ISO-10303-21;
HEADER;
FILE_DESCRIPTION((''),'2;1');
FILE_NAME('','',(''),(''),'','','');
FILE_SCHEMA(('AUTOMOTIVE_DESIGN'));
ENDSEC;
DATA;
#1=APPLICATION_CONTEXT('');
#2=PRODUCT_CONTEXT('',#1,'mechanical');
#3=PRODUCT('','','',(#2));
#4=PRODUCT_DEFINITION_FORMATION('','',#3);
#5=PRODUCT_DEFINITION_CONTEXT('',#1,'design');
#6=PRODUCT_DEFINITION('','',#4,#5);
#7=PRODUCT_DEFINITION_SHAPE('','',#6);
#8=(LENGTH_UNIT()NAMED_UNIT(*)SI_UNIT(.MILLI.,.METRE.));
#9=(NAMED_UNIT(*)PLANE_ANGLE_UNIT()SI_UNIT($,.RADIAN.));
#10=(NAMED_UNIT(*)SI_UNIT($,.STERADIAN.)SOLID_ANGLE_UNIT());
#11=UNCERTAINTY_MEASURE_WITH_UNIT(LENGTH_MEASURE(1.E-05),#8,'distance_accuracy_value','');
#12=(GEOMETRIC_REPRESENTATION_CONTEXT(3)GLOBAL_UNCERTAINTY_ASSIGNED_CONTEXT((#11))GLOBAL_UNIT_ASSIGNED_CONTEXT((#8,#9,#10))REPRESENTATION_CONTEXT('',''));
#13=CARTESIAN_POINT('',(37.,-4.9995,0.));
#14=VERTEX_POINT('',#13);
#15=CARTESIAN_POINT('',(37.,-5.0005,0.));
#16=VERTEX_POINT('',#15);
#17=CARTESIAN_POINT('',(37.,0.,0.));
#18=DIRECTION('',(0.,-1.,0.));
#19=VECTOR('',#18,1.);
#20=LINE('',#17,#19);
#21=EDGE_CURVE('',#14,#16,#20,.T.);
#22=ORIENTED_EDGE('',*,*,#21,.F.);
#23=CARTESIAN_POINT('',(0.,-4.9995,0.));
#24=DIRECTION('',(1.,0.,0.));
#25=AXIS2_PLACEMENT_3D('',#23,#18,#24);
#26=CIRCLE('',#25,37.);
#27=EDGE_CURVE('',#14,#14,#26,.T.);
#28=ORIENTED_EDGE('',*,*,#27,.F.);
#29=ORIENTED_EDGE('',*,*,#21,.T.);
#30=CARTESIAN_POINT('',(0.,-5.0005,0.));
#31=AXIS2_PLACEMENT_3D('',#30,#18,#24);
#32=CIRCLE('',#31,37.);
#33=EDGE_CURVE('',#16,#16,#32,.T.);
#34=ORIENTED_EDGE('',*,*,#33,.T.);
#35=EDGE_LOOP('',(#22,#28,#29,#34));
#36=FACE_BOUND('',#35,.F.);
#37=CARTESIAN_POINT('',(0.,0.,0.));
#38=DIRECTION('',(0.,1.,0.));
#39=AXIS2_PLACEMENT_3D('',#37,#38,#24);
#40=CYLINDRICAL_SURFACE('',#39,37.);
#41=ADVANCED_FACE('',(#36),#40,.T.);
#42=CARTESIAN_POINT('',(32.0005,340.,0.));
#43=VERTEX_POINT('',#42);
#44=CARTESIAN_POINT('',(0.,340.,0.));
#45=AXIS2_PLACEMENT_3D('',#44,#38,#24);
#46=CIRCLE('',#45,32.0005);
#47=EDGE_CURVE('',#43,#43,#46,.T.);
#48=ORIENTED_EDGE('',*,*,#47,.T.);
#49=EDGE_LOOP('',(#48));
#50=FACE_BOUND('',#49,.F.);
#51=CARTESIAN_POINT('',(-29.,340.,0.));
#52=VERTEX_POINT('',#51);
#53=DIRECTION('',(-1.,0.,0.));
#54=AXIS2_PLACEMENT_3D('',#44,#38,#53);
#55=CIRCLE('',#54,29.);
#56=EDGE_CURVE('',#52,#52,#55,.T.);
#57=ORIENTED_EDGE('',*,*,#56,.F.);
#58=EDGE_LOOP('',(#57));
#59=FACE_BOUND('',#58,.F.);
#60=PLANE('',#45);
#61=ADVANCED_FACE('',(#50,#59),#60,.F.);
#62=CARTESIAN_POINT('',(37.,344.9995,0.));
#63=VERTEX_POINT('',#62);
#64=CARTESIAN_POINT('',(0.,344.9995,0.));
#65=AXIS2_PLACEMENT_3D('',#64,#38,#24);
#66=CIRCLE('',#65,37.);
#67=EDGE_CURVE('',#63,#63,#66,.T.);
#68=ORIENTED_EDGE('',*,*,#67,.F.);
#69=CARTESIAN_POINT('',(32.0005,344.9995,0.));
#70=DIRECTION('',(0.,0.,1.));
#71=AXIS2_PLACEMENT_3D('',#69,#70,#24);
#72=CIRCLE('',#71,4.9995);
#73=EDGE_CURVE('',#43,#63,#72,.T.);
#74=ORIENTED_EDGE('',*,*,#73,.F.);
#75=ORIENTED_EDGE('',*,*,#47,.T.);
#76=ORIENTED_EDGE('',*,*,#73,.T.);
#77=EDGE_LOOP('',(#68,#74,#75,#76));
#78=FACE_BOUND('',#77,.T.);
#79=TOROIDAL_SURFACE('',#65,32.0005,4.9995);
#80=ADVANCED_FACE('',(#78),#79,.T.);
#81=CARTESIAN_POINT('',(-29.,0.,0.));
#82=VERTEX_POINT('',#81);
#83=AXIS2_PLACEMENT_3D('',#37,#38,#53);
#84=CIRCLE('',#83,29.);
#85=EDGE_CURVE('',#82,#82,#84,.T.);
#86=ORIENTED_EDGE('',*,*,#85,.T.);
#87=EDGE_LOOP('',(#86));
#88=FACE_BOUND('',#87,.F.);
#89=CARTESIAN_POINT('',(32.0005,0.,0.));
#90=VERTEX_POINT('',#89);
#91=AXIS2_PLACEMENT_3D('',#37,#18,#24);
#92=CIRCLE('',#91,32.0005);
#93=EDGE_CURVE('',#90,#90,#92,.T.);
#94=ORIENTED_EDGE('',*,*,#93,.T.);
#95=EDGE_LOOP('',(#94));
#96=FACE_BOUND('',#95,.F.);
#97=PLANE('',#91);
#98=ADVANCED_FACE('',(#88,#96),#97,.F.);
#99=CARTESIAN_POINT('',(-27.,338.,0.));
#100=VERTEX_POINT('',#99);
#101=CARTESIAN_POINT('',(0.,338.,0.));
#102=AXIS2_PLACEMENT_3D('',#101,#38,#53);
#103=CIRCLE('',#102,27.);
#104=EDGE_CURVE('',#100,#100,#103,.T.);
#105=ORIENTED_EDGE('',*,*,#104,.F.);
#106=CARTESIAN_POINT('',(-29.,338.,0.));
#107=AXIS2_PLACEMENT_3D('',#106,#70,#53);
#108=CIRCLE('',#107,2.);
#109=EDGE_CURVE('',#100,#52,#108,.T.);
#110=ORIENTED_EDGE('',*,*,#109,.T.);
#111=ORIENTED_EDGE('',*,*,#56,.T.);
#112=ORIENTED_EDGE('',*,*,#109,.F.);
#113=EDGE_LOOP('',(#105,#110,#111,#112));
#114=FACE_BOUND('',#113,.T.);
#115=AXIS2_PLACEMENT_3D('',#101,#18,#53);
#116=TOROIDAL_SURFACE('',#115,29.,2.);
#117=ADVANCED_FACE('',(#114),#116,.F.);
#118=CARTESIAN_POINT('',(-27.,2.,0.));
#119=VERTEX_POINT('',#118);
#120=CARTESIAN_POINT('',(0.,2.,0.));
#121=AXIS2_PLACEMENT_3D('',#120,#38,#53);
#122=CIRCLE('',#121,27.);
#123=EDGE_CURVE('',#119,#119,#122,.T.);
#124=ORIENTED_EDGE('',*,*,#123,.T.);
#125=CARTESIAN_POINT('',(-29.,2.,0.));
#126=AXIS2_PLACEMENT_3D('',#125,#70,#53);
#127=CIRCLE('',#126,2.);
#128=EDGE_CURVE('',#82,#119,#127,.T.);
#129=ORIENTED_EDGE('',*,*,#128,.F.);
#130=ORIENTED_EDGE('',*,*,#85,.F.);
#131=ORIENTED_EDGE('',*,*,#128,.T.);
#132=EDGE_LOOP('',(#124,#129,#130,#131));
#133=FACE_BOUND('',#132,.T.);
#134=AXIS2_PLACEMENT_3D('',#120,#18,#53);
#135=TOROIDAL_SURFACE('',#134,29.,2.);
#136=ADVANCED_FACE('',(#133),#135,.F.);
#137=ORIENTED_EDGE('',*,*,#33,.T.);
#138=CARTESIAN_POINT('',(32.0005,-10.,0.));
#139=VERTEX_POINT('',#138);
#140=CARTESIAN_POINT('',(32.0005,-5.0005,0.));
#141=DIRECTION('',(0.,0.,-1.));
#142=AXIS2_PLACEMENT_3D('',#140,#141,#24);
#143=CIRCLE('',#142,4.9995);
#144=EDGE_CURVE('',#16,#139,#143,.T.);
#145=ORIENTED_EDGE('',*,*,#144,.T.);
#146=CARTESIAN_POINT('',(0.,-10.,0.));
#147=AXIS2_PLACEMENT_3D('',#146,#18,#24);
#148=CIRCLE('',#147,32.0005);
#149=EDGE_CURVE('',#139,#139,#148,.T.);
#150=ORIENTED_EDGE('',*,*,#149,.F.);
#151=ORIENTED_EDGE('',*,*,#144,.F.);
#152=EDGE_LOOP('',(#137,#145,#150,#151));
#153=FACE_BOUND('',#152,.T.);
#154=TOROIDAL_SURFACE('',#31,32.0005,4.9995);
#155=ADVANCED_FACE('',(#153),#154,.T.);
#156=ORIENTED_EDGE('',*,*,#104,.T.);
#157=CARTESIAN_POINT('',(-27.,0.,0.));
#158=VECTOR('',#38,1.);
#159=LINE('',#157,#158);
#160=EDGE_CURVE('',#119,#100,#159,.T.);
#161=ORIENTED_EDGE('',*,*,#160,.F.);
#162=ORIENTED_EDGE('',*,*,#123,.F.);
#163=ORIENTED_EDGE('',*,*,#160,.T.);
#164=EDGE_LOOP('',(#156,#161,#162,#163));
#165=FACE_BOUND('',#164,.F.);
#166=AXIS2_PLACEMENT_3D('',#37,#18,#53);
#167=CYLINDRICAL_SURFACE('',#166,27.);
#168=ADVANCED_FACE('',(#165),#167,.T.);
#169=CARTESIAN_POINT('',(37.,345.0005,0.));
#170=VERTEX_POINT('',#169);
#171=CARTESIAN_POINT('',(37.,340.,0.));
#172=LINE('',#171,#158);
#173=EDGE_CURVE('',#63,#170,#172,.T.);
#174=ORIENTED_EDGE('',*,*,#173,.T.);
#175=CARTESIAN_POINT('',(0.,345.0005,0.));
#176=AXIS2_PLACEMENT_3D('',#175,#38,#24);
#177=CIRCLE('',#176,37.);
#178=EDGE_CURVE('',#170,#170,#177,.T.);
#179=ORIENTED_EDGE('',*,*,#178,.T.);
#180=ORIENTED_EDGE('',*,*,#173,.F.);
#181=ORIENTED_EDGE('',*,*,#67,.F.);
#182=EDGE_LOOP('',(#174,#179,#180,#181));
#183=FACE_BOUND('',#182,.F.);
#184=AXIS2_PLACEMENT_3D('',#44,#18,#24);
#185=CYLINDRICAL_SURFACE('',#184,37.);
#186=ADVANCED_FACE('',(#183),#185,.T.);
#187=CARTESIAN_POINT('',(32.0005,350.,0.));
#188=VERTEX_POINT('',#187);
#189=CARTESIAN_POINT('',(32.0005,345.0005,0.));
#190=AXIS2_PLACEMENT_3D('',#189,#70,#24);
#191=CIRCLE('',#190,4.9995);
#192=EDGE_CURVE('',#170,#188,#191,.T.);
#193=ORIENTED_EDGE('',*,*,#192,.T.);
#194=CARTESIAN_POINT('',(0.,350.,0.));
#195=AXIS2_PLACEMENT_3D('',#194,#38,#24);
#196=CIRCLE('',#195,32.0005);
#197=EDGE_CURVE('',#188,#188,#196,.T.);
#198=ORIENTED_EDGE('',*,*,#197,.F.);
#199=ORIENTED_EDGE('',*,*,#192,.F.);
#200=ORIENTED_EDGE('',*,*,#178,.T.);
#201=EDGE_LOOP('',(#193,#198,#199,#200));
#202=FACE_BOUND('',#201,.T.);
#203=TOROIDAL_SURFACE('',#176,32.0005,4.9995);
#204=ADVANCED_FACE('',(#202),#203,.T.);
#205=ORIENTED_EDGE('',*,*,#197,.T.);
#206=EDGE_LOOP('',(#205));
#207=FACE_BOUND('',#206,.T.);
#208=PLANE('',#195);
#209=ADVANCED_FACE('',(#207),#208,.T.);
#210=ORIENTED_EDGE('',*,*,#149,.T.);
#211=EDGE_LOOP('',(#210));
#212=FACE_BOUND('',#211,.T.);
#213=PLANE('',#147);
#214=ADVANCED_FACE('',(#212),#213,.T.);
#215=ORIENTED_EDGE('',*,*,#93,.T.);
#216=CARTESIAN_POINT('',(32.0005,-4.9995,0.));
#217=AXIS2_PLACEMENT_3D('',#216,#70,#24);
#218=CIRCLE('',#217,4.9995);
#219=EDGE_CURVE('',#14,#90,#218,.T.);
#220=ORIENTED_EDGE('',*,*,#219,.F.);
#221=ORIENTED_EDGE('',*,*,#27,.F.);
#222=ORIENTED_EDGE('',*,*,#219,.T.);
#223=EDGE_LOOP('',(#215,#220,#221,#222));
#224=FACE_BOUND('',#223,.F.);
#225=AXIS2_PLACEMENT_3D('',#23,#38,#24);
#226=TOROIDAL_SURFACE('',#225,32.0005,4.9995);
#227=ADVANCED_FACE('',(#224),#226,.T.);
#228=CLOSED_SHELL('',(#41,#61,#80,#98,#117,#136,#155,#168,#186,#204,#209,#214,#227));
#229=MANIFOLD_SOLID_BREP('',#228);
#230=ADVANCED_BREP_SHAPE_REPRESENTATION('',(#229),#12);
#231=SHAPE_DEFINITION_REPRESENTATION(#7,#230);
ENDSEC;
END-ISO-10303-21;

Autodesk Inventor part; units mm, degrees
ref_plane "YZ Plane" through (0, 0, 0) normal (1, 0, 0) x (0, 1, 0)
ref_plane "XZ Plane" through (0, 0, 0) normal (0, 1, 0) x (-1, 0, 0)
ref_plane "XY Plane" through (0, 0, 0) normal (0, 0, 1) x (1, 0, 0)
sketch "草图1" plane through (0, 0, 0) normal (0, 1, 0) x (-1, 0, 0)
  circle A0 centre (0, 0) radius 27
  dimension "d0" = 54
extrude "拉伸1" add sketch "草图1" along normal blind 340
sketch "草图2" plane through (0, 340, 0) normal (0, 1, 0) x (1, 0, 0)
  circle A0 centre (0, 0) radius 37
extrude "拉伸2" add sketch "草图2" along normal blind 10
sketch "草图3" plane through (0, 0, 0) normal (0, -1, 0) x (1, 0, 0)
  circle A0 centre (0, 0) radius 37
extrude "拉伸3" add sketch "草图3" along normal blind 10
fillet "圆角1" radius 5 4 edges at (-37, 350, 0) (-37, 340, 0) (-37, 0, 0) (-37, -10, 0)
fillet "圆角2" radius 2 2 edges at (27, 340, 0) (27, 0, 0)
properties part number "销钉" material "钢，高强度，低合金"
